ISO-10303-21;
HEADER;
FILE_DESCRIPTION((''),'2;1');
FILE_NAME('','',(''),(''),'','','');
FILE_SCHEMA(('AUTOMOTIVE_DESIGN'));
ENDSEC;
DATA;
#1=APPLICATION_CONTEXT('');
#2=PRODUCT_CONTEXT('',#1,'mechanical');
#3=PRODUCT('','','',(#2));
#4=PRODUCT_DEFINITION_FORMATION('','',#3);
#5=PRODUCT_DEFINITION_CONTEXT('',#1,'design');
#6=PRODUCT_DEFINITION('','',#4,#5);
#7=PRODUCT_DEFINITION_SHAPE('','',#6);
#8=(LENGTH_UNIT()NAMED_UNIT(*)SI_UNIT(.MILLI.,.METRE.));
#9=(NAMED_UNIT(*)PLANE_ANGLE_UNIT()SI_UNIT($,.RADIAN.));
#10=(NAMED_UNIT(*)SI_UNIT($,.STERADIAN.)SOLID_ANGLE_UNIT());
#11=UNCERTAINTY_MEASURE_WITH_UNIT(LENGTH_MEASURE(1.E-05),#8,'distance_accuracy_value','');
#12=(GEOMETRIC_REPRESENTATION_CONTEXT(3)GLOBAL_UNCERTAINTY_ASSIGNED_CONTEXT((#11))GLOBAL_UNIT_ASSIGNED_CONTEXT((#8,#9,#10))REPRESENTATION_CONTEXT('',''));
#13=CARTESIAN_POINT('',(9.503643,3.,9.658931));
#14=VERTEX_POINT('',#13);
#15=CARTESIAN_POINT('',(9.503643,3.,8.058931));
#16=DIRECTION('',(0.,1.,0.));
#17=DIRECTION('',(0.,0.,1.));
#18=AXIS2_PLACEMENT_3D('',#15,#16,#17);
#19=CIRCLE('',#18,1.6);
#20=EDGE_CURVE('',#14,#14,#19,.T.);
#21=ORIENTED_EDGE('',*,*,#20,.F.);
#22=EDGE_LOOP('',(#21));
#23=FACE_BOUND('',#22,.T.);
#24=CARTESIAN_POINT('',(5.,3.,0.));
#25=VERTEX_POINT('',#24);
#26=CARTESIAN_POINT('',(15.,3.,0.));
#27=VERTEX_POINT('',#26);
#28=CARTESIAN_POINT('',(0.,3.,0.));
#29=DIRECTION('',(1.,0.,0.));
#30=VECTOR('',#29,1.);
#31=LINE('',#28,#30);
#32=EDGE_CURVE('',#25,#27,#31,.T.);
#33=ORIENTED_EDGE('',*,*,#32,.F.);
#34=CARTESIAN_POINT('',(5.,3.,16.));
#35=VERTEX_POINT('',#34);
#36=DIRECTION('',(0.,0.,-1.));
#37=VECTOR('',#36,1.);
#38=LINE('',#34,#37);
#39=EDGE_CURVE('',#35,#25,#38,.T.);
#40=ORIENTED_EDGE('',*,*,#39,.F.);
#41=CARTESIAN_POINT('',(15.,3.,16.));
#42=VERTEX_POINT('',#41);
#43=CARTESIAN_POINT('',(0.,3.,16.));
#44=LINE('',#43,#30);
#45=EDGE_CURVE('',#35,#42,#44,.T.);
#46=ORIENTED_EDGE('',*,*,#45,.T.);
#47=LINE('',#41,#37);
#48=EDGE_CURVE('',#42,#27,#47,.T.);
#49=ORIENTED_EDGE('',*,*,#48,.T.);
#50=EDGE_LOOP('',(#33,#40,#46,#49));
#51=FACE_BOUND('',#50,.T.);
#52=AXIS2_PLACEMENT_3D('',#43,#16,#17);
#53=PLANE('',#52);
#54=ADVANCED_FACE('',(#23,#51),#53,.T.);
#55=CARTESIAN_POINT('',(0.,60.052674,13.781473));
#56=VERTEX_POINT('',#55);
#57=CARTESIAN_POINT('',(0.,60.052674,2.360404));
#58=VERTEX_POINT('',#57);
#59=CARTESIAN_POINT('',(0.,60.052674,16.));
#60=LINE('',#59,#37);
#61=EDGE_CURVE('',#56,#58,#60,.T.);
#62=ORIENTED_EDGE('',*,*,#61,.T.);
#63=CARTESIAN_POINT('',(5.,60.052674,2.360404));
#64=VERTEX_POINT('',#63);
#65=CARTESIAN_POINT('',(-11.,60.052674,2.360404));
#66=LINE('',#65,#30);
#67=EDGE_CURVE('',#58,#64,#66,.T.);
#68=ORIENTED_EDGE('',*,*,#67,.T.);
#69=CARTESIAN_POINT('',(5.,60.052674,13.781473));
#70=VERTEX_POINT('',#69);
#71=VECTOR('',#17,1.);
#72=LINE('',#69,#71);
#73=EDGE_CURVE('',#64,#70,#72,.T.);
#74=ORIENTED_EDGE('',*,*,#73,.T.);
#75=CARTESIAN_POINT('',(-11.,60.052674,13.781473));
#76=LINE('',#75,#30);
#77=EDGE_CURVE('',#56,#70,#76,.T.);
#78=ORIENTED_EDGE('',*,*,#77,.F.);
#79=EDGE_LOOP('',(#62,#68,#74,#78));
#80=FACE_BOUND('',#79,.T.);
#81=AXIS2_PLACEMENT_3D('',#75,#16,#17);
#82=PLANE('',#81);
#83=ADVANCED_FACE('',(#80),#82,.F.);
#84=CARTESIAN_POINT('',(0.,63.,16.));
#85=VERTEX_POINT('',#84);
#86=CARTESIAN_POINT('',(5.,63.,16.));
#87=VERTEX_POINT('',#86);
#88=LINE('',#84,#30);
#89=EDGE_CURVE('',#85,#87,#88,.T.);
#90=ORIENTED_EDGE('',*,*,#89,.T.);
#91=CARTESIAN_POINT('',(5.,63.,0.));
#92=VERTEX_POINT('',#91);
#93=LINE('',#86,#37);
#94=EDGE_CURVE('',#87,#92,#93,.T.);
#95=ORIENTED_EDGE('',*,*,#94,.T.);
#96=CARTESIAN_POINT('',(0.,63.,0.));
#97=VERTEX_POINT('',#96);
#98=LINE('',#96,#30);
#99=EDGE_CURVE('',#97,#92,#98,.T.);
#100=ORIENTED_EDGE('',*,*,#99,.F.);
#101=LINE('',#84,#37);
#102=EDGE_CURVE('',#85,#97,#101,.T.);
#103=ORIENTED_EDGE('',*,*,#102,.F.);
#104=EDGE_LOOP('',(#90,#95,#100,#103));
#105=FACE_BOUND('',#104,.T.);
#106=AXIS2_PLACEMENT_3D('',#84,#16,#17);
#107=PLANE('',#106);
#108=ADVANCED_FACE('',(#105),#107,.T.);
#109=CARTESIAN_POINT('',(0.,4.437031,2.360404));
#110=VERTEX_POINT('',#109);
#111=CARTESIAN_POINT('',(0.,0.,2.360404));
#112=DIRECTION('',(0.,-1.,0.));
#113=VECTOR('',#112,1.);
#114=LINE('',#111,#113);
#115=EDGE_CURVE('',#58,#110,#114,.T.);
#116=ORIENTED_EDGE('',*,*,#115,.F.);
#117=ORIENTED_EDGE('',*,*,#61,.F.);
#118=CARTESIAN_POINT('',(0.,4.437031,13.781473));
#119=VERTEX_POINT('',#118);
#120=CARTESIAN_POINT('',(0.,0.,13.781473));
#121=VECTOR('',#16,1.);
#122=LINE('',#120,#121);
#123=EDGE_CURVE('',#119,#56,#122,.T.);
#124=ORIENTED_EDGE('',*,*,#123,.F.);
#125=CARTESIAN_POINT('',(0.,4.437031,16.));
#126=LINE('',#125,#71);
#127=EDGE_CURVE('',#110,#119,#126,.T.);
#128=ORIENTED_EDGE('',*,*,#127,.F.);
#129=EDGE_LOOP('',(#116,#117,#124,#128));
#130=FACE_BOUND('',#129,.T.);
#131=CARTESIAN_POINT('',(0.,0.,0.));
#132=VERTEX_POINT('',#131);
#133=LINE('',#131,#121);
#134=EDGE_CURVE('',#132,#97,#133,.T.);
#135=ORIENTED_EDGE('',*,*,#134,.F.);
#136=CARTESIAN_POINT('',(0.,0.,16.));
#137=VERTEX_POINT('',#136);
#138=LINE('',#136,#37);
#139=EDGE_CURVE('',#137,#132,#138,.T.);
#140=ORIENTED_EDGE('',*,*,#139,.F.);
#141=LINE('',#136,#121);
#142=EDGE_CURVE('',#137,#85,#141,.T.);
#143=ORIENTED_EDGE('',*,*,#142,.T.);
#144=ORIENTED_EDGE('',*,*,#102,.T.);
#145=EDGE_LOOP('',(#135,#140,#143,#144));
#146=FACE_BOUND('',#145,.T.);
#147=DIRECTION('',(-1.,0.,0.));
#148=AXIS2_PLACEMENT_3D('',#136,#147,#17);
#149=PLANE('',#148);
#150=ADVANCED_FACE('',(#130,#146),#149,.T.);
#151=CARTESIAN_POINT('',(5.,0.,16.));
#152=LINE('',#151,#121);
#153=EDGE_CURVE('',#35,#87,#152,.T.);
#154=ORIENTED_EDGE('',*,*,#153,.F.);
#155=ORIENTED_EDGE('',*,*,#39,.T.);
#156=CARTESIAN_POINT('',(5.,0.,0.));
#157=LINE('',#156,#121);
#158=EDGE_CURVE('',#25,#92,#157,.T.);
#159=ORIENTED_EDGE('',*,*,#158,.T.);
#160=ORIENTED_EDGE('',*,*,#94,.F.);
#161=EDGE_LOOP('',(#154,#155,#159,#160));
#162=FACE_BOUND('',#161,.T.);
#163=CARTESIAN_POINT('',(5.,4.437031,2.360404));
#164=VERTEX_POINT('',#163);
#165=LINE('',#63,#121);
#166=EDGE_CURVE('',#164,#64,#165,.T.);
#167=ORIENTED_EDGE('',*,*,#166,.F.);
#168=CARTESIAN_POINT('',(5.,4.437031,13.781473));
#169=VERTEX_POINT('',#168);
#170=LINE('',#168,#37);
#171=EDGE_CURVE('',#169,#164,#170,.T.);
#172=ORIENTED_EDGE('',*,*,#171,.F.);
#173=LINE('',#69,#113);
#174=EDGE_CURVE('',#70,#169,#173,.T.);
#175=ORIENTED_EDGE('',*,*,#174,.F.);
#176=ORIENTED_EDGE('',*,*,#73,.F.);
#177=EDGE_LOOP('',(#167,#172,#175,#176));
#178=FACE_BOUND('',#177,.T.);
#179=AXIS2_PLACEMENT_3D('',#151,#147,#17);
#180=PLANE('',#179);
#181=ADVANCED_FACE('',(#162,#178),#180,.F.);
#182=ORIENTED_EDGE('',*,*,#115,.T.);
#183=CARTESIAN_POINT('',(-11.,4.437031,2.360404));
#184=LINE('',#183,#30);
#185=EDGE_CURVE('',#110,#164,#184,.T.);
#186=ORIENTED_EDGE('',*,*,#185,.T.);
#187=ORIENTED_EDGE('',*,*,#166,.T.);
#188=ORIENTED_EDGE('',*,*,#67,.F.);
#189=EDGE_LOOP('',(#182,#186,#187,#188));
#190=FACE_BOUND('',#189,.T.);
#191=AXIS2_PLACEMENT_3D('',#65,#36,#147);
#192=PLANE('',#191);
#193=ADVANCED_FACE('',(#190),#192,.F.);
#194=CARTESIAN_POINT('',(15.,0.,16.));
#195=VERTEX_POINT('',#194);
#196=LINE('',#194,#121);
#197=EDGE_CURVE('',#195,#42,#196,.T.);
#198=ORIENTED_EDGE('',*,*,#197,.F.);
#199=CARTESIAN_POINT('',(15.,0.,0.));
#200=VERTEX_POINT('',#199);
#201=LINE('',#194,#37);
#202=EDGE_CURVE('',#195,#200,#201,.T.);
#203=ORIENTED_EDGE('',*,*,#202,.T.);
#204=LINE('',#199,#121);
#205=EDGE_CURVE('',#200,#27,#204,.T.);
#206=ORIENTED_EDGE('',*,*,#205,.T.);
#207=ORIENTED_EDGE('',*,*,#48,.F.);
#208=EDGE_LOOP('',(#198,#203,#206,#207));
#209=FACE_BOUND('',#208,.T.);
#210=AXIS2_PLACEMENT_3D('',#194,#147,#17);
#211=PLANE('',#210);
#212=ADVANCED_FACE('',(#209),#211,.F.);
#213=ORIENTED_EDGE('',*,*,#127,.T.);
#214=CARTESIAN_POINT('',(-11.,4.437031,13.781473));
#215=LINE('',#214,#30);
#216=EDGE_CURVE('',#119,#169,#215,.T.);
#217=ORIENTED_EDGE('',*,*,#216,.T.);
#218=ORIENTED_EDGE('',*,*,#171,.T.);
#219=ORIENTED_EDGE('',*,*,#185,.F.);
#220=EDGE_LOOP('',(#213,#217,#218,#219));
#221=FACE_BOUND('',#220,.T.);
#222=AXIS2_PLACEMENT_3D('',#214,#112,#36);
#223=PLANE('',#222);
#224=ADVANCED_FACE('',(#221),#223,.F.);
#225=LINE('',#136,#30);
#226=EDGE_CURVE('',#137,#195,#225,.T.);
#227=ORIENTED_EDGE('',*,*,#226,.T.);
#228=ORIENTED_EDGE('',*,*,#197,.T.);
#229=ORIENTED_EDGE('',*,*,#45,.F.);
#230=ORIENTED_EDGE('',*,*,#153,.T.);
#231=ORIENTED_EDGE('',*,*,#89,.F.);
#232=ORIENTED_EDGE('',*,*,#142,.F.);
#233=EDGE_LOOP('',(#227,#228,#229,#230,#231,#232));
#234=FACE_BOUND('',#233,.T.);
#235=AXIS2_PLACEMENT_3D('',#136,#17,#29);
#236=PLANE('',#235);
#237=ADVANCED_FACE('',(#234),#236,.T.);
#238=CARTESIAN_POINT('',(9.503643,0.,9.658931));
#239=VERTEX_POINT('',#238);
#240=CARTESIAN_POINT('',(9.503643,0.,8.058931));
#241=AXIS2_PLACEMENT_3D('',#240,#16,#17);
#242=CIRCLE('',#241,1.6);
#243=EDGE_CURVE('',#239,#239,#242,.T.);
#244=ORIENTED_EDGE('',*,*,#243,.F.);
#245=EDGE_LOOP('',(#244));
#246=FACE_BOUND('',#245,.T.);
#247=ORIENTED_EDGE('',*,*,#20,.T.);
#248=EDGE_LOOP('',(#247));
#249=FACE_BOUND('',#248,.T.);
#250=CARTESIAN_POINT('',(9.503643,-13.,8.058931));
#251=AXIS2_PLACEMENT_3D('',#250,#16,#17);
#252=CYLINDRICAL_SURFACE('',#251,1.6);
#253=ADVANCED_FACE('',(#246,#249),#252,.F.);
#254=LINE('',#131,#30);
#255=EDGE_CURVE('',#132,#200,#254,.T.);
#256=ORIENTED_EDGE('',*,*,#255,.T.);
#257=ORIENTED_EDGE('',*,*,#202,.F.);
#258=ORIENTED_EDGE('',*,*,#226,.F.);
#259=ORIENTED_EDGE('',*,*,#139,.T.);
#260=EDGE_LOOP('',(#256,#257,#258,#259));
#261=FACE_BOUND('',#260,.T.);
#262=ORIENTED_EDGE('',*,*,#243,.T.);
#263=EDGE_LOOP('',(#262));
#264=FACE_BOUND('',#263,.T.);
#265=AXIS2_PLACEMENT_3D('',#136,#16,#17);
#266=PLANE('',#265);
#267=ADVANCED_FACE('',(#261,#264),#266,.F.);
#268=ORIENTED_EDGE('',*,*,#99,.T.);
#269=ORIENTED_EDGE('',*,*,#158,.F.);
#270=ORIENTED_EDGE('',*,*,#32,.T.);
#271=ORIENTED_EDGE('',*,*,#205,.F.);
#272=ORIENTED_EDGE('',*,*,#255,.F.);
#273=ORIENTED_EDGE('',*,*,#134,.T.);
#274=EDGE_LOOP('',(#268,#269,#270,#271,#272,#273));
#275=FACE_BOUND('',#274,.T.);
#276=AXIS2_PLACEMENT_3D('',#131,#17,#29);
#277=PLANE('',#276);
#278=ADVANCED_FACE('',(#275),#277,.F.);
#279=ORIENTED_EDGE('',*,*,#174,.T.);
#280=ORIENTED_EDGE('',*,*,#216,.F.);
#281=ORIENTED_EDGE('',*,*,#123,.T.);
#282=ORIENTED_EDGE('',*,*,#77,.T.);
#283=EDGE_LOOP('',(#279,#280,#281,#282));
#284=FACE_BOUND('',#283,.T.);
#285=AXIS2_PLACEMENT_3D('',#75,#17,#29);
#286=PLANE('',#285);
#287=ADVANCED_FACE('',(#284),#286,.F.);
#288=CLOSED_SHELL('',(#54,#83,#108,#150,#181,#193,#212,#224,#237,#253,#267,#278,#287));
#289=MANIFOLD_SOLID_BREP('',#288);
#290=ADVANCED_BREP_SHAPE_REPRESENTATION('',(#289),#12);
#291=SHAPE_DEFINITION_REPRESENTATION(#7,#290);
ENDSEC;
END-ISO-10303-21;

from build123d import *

# Parameters (mm, degrees)
EXTRUDE_1_DEPTH     = 16
SKETCH_2_W          = 11.421069603
SKETCH_2_H          = 55.615643281
CUT_EXTRUDE_1_DEPTH = 16
SKETCH_3_R          = 1.6
CUT_EXTRUDE_2_DEPTH = 16


with BuildPart() as part:
    # 草图1 → 凸台-拉伸1 (new body)
    with BuildSketch(Plane.XY):
        Polygon((0, 3), (0, 0), (5, 0), (15, 0), (15, 3), (5, 3), (5, 63), (0, 63), align=None)
    extrude(amount=EXTRUDE_1_DEPTH)

    # 草图2 → 切除-拉伸1 (cut)
    with BuildSketch(Plane(origin=(5, 0, 0), x_dir=(0, 0, -1), z_dir=(1, 0, 0))):
        with Locations((-8.070938321, 32.244852366)):
            Rectangle(SKETCH_2_W, SKETCH_2_H)
    extrude(amount=-CUT_EXTRUDE_1_DEPTH, mode=Mode.SUBTRACT)

    # 草图3 → 切除-拉伸2 (cut)
    with BuildSketch(Plane(origin=(0, 3, 0), x_dir=(1, 0, 0), z_dir=(0, 1, 0))):
        with Locations(Location((9.503642987, -8.058930676, 0), (0, 0, 270))):
            Circle(SKETCH_3_R)
    extrude(amount=-CUT_EXTRUDE_2_DEPTH, mode=Mode.SUBTRACT)


solid = part.part
